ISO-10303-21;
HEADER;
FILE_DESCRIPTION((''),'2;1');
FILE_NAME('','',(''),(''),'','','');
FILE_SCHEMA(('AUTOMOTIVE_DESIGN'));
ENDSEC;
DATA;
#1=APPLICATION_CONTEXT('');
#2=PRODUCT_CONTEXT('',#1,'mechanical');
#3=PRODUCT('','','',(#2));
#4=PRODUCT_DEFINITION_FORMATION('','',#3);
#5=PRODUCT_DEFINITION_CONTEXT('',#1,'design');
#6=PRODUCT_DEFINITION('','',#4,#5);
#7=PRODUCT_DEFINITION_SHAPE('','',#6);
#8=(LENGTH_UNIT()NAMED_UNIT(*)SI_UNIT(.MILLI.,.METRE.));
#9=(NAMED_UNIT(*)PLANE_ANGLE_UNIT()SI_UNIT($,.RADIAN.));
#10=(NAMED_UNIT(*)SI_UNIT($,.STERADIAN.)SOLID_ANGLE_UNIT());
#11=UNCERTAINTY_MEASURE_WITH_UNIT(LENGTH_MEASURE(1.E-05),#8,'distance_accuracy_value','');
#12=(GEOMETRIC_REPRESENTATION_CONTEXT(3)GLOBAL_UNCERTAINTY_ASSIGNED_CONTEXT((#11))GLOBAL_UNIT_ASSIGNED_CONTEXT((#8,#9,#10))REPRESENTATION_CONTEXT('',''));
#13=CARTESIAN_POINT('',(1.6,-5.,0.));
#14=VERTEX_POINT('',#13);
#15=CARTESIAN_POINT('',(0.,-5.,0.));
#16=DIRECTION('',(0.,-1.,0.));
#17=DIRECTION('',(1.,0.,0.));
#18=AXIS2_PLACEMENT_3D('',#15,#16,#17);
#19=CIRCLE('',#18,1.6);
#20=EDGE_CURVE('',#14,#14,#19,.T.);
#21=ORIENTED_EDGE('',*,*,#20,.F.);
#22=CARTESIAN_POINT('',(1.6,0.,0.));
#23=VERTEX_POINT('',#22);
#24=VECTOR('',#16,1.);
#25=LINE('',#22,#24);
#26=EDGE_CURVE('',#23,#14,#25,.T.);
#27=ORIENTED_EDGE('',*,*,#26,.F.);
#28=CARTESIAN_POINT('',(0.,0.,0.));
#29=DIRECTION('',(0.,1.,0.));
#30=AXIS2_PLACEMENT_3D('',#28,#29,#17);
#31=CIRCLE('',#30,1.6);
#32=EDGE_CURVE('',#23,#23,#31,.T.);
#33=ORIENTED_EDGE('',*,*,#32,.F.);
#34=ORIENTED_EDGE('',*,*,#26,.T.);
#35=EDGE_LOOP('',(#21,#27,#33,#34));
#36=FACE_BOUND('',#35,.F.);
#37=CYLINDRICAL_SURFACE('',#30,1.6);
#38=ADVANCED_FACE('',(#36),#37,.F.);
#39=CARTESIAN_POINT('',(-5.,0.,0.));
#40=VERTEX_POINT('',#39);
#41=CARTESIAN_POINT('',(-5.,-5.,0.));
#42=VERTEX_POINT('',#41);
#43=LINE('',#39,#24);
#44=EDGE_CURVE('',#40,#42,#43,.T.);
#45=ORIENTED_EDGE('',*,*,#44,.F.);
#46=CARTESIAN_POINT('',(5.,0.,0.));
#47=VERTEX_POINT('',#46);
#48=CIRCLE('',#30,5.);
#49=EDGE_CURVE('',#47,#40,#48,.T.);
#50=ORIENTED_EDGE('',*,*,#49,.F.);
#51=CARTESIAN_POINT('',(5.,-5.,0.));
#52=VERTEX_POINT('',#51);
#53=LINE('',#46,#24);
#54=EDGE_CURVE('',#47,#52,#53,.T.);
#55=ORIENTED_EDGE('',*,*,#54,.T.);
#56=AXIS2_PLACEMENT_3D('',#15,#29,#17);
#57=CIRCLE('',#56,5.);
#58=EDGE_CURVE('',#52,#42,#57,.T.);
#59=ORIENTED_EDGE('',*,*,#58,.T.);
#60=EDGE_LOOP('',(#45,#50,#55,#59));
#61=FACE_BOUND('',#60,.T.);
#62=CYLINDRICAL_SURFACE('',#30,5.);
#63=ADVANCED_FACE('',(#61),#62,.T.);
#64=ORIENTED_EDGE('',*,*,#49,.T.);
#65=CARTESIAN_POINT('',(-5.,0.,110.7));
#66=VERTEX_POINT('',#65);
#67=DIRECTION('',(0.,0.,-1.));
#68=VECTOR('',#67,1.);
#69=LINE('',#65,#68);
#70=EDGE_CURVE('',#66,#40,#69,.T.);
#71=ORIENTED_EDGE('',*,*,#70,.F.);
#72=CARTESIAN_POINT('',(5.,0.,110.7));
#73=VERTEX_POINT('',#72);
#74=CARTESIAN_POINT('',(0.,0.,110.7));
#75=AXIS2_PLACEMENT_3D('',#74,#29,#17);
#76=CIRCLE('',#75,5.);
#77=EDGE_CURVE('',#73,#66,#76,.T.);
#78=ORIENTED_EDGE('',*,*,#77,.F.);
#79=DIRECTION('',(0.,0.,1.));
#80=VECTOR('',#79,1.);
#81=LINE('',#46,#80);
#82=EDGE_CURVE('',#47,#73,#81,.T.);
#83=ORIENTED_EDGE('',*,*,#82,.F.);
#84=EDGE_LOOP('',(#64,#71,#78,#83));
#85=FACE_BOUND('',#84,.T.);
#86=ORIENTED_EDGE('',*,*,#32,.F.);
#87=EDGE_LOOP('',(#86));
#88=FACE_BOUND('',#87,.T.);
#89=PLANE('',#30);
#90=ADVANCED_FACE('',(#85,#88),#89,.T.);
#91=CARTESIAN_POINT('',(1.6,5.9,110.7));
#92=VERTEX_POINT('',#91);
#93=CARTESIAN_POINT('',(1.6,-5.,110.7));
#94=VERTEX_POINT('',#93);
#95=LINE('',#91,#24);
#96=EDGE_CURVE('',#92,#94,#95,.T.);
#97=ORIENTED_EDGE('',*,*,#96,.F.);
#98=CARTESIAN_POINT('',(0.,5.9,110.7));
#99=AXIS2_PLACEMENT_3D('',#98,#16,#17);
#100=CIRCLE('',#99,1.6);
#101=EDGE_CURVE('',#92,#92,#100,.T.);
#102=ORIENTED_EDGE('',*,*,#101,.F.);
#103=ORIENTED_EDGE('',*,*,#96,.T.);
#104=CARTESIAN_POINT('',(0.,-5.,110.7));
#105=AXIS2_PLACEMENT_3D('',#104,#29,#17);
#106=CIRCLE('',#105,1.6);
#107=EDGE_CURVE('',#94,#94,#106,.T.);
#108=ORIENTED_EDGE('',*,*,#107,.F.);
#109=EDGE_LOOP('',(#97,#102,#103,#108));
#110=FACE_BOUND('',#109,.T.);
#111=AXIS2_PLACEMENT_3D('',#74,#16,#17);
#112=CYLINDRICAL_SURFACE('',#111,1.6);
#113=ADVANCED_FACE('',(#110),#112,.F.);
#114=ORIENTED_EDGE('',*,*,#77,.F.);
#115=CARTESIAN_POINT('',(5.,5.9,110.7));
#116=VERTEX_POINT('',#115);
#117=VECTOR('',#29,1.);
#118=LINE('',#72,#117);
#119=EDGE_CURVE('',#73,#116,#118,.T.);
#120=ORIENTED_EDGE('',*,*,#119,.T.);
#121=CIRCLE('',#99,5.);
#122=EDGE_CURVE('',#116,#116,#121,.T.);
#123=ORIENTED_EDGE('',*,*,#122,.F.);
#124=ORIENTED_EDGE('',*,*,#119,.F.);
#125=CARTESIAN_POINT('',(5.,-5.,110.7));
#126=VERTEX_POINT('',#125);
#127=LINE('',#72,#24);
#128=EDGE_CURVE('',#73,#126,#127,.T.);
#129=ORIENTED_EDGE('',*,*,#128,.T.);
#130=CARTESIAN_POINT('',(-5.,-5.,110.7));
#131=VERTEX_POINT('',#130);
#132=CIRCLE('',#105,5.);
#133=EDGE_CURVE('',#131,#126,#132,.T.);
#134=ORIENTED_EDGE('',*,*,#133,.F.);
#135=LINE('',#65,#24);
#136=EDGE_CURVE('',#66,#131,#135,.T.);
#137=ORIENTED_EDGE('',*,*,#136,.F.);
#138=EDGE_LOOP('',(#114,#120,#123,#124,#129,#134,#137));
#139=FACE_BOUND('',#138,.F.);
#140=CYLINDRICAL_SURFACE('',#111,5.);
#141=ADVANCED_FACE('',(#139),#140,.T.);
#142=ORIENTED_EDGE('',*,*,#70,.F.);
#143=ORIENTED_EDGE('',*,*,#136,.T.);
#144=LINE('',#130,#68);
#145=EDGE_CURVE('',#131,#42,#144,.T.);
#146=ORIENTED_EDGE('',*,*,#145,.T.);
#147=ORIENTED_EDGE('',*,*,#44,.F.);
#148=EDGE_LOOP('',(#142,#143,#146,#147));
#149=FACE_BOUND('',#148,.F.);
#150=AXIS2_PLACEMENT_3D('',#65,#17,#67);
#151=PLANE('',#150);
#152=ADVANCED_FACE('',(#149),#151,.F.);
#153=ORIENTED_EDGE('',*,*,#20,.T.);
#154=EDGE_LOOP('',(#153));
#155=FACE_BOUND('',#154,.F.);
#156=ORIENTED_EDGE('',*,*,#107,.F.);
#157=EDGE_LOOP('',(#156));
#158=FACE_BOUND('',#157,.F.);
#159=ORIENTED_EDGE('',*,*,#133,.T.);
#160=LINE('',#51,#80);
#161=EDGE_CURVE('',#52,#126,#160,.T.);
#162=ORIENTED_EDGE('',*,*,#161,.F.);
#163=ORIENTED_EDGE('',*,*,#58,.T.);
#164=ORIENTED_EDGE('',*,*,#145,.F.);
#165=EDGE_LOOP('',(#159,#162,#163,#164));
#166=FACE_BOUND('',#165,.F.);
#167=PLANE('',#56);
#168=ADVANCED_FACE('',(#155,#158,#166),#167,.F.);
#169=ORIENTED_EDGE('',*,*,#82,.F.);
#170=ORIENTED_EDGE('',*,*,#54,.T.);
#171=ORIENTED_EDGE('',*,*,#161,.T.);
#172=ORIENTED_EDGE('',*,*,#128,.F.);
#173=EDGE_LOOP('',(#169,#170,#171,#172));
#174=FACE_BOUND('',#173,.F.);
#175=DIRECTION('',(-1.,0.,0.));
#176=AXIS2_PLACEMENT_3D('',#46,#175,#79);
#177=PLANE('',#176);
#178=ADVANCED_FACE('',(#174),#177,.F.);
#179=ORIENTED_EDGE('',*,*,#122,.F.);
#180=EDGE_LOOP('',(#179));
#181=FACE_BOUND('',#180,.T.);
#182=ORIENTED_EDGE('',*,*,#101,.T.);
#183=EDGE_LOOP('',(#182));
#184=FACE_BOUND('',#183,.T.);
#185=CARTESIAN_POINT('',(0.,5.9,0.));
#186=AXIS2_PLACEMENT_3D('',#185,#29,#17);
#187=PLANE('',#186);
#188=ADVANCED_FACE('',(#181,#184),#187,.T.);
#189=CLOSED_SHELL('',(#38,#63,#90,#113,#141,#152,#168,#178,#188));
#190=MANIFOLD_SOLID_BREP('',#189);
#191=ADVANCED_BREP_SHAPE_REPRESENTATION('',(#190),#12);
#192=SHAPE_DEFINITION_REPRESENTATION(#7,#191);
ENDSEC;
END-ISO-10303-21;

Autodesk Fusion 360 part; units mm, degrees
sketch "Sketch1" plane through (0, 0, 0) normal (0, 1, 0) x (1, 0, 0)
  circle A0 centre (0, 0) radius 5
  circle A1 centre (0, 0) radius 1.6
  line L0 (-5, 0) -> (5, 0)
  line L1 (5, 0) -> (5, -110.7)
  line L2 (5, -110.7) -> (-5, -110.7)
  line L3 (-5, -110.7) -> (-5, 0)
  circle A2 centre (0, -110.7) radius 5
  circle A3 centre (0, -110.7) radius 1.6
  dimension "d1" = 10
  dimension "d2" = 3.2
  dimension "d3" = 110.7
  dimension "d4" = 3.2
extrude "Extrude1" add sketch "Sketch1" along normal blind 5.9 contours L2 A2 A3 | L2 A2 A3
extrude "Extrude2" add sketch "Sketch1" against normal blind 5 contours A0 A1 L0 | A0 L1 L3 A2 | A0 A1 L0 | L2 A2 A3 | L2 A2 A3
equation "d3 = 106 mm - 20.3 mm + 25 mm"
